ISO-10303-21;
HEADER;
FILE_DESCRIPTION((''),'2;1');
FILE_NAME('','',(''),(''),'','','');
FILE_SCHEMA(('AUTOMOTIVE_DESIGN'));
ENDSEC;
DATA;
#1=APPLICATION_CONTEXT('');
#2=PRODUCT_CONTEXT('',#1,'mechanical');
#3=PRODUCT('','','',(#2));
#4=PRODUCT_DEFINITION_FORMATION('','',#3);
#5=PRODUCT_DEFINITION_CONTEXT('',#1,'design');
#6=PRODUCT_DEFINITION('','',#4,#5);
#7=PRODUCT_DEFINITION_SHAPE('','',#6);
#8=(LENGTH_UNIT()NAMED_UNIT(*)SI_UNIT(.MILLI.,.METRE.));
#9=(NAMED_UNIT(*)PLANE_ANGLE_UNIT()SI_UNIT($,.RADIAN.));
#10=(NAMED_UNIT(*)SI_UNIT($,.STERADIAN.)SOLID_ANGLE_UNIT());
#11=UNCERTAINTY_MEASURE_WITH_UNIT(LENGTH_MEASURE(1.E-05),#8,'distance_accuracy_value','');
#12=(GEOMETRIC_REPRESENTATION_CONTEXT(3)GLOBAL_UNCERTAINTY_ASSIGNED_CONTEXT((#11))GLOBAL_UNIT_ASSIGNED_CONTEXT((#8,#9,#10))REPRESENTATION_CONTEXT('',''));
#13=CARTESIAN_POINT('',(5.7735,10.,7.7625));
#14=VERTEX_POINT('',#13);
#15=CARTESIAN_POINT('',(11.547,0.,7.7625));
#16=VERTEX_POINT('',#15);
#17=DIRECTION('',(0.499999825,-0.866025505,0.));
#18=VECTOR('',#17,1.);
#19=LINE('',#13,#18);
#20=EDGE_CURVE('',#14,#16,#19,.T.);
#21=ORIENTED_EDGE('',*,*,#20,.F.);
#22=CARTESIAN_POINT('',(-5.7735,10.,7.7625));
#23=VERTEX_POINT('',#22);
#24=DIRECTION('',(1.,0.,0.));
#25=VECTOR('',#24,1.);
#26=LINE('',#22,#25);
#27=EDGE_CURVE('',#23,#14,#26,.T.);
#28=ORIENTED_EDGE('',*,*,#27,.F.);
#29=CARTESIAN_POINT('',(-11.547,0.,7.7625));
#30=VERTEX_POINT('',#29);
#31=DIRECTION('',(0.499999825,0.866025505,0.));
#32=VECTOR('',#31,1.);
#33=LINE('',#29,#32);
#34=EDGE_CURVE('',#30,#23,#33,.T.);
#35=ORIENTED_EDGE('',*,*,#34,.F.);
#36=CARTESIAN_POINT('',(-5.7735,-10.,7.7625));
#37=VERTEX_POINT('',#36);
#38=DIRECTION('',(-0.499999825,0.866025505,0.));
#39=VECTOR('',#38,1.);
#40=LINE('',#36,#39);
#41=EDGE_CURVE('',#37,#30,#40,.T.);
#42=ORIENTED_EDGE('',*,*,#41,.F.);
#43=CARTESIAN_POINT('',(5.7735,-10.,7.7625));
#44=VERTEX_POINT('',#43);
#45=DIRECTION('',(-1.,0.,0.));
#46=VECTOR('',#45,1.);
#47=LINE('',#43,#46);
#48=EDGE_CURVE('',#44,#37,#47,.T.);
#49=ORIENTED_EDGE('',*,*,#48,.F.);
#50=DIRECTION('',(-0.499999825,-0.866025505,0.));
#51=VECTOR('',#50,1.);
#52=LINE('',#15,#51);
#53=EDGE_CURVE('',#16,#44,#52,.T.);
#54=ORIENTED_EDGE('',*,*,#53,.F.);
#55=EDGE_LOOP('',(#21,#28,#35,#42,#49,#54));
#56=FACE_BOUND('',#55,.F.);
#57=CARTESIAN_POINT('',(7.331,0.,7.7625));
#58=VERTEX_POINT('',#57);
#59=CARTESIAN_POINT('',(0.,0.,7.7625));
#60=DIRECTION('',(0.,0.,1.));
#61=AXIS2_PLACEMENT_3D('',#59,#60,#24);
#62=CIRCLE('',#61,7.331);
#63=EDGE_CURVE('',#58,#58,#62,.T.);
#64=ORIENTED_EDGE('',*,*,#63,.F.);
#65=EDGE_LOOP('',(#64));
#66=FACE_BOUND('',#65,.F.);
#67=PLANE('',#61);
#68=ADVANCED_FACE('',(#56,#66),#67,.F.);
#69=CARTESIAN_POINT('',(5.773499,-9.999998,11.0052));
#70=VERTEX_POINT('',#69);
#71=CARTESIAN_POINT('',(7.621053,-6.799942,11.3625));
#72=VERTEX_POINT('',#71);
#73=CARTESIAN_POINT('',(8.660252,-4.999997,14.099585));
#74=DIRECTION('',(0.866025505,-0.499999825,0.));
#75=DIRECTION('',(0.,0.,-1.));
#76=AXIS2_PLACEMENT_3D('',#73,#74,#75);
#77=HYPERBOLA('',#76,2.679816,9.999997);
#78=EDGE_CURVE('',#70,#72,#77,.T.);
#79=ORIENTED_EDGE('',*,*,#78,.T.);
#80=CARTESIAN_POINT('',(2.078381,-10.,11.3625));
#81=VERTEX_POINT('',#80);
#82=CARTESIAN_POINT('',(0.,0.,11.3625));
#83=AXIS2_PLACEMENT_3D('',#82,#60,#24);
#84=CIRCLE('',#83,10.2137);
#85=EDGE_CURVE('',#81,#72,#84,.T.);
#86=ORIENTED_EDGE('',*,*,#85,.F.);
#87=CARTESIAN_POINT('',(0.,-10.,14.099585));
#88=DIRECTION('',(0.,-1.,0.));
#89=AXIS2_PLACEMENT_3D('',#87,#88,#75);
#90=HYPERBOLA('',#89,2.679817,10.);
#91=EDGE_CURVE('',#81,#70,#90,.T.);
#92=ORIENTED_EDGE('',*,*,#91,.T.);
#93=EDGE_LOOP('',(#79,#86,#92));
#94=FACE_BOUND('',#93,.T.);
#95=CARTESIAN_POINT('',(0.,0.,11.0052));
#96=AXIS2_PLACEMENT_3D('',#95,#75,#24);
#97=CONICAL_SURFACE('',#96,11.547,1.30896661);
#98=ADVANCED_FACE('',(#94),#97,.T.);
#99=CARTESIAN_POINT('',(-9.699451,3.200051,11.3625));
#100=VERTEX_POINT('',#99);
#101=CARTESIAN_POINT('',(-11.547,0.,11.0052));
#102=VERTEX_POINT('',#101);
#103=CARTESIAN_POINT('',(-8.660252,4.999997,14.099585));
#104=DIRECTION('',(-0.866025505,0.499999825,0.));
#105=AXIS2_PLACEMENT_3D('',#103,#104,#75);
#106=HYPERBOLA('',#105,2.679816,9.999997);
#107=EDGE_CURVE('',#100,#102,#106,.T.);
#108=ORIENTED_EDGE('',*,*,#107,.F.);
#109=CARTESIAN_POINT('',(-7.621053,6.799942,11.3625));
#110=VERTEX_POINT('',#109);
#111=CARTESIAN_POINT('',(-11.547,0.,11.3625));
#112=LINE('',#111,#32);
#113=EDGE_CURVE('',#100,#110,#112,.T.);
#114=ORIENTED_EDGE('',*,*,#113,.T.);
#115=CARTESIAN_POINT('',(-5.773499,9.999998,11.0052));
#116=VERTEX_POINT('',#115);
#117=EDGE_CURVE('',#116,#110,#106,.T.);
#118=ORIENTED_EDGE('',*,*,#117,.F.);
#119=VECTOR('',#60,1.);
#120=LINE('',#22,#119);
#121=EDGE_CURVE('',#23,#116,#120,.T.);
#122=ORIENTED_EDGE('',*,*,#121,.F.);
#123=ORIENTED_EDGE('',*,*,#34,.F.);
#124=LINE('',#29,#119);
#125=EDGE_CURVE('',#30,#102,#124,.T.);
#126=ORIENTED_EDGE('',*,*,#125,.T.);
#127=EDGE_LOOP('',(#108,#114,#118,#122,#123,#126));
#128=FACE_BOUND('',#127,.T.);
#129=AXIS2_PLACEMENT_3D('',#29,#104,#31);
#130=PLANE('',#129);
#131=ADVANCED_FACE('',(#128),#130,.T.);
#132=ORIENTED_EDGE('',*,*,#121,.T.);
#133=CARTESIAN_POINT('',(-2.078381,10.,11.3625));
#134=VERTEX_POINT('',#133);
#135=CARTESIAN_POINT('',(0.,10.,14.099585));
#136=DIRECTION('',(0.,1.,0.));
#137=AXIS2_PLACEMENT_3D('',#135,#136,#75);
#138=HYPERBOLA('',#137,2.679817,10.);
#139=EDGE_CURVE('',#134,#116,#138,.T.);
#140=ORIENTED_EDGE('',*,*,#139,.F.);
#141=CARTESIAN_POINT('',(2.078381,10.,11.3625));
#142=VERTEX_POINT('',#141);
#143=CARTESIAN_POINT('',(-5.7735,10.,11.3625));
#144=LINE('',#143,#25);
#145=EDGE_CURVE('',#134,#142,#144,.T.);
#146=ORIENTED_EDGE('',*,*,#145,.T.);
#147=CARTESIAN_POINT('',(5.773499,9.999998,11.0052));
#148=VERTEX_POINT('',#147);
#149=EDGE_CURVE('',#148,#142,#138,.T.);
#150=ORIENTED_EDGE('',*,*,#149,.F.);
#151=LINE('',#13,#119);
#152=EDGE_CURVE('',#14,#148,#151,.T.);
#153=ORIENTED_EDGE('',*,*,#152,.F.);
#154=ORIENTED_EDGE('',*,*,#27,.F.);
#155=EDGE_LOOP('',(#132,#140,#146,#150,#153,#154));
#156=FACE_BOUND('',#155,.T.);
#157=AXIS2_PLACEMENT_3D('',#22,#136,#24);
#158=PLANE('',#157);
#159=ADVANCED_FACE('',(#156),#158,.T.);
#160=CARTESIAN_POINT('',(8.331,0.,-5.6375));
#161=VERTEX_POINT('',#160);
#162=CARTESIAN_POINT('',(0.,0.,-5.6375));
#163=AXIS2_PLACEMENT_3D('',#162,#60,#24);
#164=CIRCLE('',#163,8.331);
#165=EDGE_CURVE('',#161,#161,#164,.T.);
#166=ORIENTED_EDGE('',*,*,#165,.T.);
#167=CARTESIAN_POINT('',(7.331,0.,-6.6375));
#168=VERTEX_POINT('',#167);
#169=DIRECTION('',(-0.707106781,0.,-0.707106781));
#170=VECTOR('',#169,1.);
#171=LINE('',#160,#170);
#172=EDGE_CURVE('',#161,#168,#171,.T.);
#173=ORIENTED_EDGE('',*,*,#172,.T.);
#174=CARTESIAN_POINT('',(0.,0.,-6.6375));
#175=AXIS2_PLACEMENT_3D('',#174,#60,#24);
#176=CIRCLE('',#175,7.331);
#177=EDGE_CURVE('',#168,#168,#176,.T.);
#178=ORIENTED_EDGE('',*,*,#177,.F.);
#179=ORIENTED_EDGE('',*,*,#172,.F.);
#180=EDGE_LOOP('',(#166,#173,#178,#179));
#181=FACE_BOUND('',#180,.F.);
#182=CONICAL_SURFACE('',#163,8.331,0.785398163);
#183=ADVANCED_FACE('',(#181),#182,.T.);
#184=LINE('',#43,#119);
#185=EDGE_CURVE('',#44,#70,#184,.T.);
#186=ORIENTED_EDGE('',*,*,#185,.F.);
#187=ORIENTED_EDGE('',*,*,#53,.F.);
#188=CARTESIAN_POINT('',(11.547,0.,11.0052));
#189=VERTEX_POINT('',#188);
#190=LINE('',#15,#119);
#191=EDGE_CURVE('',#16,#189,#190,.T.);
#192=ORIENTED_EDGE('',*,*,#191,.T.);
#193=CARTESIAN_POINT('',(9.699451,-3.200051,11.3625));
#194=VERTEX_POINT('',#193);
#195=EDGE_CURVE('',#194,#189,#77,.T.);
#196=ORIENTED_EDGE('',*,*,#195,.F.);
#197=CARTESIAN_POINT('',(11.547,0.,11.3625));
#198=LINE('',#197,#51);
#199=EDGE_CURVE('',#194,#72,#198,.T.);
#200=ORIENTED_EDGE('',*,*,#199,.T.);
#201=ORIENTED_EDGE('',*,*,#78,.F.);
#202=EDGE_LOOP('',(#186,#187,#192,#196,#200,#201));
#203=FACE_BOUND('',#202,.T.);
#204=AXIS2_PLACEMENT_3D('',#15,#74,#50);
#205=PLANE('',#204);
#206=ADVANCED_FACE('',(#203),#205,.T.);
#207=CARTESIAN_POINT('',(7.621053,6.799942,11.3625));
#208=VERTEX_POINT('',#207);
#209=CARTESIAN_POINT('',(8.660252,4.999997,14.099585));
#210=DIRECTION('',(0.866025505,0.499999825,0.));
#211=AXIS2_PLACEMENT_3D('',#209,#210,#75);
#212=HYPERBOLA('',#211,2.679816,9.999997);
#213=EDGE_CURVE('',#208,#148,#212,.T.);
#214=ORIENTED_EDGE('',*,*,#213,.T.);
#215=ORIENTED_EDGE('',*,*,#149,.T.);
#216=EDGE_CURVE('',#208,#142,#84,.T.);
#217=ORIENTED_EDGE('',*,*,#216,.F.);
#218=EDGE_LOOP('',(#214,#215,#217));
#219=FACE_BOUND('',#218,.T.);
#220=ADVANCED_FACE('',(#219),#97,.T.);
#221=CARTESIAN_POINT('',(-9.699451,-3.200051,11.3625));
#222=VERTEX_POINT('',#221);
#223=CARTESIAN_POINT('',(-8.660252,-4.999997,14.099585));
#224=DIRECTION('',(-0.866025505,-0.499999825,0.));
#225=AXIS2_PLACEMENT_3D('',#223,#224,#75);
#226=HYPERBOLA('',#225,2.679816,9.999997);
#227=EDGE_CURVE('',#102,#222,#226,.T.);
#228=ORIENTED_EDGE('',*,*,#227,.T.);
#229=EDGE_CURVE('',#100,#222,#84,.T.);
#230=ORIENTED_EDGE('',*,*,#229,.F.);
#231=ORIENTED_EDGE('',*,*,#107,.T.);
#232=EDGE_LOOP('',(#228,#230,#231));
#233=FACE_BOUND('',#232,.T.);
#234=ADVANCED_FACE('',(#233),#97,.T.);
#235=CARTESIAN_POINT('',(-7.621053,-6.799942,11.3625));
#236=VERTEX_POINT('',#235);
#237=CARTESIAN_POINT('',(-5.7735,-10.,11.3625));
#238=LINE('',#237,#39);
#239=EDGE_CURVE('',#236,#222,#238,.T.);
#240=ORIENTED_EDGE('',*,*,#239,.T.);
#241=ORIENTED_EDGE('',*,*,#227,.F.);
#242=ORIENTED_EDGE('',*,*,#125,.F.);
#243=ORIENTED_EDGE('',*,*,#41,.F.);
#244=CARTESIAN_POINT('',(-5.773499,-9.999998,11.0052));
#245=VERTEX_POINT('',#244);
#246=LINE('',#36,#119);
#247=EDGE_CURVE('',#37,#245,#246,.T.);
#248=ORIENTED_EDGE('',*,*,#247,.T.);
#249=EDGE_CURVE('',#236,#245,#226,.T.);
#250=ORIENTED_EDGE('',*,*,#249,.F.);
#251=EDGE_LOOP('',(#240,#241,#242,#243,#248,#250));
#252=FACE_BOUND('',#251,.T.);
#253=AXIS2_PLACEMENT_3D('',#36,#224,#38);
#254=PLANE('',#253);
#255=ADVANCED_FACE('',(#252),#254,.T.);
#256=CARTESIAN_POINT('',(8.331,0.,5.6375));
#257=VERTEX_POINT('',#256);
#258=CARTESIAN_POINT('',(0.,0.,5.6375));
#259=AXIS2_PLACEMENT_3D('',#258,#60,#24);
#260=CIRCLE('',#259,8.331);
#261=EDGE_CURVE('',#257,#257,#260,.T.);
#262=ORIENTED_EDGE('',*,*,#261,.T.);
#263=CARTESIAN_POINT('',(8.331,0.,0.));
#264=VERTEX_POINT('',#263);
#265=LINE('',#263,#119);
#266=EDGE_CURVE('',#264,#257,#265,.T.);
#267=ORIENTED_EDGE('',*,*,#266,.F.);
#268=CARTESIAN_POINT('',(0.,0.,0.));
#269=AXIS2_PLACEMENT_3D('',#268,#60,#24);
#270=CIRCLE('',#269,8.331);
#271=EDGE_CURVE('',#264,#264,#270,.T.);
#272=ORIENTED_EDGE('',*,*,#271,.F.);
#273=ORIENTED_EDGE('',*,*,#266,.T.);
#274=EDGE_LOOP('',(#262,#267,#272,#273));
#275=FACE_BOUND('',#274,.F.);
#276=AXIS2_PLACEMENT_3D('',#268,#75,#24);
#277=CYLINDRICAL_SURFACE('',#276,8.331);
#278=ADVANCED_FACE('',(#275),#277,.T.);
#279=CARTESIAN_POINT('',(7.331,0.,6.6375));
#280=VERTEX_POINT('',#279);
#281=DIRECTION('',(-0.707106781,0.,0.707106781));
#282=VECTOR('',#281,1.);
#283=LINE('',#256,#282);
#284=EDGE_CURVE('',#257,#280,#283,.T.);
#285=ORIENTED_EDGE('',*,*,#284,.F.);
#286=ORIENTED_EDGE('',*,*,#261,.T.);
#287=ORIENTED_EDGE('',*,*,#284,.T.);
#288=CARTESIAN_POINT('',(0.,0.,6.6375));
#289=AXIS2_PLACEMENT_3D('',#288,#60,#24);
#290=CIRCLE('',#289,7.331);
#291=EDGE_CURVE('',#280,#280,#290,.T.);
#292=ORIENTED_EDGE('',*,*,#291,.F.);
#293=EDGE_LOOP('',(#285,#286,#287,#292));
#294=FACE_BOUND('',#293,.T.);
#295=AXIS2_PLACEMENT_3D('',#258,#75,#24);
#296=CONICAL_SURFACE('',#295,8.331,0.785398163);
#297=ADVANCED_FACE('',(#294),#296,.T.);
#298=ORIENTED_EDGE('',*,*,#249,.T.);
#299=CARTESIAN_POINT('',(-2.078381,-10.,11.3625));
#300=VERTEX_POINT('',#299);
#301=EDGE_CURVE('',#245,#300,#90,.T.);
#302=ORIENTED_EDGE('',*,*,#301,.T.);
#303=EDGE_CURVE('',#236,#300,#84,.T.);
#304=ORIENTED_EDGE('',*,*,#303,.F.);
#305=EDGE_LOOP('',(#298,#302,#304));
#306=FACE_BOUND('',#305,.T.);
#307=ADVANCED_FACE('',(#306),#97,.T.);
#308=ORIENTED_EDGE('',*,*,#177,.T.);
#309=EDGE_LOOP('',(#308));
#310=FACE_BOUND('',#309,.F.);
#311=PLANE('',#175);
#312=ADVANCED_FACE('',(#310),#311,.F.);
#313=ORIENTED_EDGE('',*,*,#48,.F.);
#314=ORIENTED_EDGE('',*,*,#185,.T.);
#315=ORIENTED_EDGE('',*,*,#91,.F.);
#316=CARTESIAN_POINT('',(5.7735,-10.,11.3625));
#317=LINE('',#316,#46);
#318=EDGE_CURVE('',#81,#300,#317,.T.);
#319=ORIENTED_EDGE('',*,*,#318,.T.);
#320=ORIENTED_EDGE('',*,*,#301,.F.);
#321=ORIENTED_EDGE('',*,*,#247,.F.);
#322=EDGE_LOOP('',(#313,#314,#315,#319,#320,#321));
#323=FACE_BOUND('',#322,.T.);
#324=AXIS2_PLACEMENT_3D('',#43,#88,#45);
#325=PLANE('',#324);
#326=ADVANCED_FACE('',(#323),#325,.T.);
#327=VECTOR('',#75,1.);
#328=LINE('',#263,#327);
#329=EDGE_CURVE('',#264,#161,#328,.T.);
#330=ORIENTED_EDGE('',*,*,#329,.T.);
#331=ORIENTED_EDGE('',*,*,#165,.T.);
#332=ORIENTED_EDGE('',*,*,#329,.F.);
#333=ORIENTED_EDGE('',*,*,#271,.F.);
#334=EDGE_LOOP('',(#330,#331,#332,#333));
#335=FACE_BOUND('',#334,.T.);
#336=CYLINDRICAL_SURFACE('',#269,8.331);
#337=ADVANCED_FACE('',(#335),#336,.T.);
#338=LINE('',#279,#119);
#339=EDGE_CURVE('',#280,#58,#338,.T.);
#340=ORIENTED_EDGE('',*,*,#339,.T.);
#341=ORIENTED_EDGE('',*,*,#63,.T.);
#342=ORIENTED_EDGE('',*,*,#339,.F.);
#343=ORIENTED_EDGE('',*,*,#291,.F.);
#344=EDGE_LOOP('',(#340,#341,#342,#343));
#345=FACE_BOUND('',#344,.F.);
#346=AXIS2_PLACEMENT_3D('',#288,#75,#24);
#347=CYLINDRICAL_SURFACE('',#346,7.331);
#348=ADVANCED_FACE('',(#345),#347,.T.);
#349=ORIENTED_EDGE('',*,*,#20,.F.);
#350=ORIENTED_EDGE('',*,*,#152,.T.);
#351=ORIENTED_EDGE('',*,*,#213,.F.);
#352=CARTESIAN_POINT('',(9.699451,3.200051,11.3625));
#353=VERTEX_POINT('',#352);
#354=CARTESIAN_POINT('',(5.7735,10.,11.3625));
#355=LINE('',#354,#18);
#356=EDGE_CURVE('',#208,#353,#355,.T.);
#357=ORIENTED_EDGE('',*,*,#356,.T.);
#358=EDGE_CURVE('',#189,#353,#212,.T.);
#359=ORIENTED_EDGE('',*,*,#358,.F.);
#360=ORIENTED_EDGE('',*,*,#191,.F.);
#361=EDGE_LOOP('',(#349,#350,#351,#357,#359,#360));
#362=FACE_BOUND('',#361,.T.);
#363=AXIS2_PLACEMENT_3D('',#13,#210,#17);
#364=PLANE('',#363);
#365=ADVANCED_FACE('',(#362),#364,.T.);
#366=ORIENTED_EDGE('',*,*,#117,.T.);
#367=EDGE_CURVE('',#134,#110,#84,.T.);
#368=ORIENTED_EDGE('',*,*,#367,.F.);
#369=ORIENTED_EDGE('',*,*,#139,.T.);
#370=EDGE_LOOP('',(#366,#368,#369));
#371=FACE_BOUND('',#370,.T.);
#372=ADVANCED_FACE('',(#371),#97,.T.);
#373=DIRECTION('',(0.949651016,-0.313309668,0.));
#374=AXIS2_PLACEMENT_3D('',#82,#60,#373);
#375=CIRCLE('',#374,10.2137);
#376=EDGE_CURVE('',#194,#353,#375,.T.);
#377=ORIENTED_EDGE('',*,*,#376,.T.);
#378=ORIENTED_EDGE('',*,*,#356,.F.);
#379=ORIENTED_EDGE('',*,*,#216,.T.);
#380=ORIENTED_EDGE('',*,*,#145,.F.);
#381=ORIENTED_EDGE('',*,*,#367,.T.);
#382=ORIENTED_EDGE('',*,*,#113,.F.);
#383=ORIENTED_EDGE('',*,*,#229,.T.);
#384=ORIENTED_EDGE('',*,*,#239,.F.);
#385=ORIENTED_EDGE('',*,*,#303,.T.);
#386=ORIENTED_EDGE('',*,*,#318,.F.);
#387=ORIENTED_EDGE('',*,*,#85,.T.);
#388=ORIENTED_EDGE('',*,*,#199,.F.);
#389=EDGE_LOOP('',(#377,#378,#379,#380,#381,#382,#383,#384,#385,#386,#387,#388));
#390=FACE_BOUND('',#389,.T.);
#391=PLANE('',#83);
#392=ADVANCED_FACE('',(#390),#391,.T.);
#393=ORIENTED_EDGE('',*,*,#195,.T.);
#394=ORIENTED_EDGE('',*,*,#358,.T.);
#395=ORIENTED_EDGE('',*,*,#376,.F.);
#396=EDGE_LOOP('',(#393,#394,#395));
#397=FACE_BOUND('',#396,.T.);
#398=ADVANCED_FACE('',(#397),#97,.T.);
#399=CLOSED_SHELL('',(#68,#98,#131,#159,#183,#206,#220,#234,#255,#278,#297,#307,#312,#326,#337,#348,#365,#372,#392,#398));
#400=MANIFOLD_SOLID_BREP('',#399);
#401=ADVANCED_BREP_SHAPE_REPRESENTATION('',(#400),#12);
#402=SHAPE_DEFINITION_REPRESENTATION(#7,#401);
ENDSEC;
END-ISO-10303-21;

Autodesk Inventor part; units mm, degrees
ref_plane "YZ Plane" through (0, 0, 0) normal (1, 0, 0) x (0, 1, 0)
ref_plane "XZ Plane" through (0, 0, 0) normal (0, 1, 0) x (-1, 0, 0)
ref_plane "XY Plane" through (0, 0, 0) normal (0, 0, 1) x (1, 0, 0)
sketch "Szkic7" plane through (0, 0, 0) normal (0, 0, 1) x (1, 0, 0)
  circle A0 centre (0, 0) radius 8.331
  dimension "d35" = 16.662
extrude "Wyciągnięcie proste2" add sketch "Szkic7" along normal mid plane 13.275
chamfer "Faza2" distance 1 angle 45 1 edges at (-8.331, 0, 6.6375)
sketch "Szkic9" plane through (0, 0, 6.6375) normal (0, 0, 1) x (1, 0, 0)
  circle A0 centre (0, 0) radius 7.331 projected
extrude "Wyciągnięcie proste3" add sketch "Szkic9" along normal blind 1.125
sketch "Szkic10" plane through (0, 0, 7.7625) normal (0, 0, 1) x (1, 0, 0)
  line L0 (-5.7735, 10) -> (5.7735, 10)
  line L1 (5.7735, 10) -> (11.547, 0)
  line L2 (11.547, 0) -> (5.7735, -10)
  line L3 (5.7735, -10) -> (-5.7735, -10)
  line L4 (-5.7735, -10) -> (-11.547, 0)
  line L5 (-11.547, 0) -> (-5.7735, 10)
  line L6 (0, 11.6634) -> (0, -11.6634) construction
  line L7 (-11.6634, 0) -> (11.6634, 0) construction
  point P0 (0, 0)
  point P1 (0, 0)
  point P2 (0, 10)
  dimension "d44" = 20
extrude "Wyciągnięcie proste4" add sketch "Szkic10" along normal blind 3.6
sketch "Szkic12" plane through (0, 0, 0) normal (0, 1, 0) x (-1, 0, 0)
  line L0 (0, -2.1463) -> (0, 12.8775) construction
  line L1 (-5.7735, 7.7625) -> (-5.7735, 11.3625) construction
  line L2 (-11.547, 11.3625) -> (-5.7735, 11.3625) construction
  line L3 (-11.547, 7.7625) -> (-11.547, 11.3625) projected
  line L4 (-11.547, 11.0052) -> (-10.2137, 11.3625)
  line L5 (-11.547, 11.3625) -> (-5.7735, 11.3625) projected
  line L6 (-11.547, 7.7625) -> (-5.7735, 7.7625) projected
  point P0 (0, 0)
  dimension "d50" = 15
  dimension "d51" = 1.3333
revolve "Obrót2" cut sketch "Szkic12" angle 360 about axis through (0, 0, -10) along (0, 0, 1)
thread "Gwint3" size "G16.662x1.337" designation "G 3/8" class "A" standard "ISO Pipe Threads" full length
chamfer "Faza3" distance 1 angle 45 1 edges at (-8.331, 0, -6.6375)
equation "\"d35\" = OD"
equation "\"d36\" = 0.7375 * L"
equation "\"d42\" = 0.0625 * L"
equation "\"d44\" = SW"
equation "\"d45\" = 0.2 * L"
equation "\"d51\" = 0.0666667 * SW"
equation "\"SzerokośćGięciaPodcięcia\" = Grubość"
equation "\"RozmiarPodcięciaNarożnika\" = 4 * Grubość"
equation "\"PromieńPrzejścia\" = PromieńGięcia"
equation "\"Rozmiar_promienia_Jacobiego\" = PromieńGięcia"
equation "\"Wielk_odstępu\" = Grubość"
equation "\"d2\" = PromieńGięcia"
equation "\"d23\" = PromieńGięcia"
equation "\"OD\" = 16.662"
equation "\"SW\" = 20"
equation "\"L\" = 18"
equation "\"Grubość\" = 1.5"
equation "\"PromieńGięcia\" = 3"
properties part number "Korek sześciokątny BSP 3/8'' L=18" material "304"
